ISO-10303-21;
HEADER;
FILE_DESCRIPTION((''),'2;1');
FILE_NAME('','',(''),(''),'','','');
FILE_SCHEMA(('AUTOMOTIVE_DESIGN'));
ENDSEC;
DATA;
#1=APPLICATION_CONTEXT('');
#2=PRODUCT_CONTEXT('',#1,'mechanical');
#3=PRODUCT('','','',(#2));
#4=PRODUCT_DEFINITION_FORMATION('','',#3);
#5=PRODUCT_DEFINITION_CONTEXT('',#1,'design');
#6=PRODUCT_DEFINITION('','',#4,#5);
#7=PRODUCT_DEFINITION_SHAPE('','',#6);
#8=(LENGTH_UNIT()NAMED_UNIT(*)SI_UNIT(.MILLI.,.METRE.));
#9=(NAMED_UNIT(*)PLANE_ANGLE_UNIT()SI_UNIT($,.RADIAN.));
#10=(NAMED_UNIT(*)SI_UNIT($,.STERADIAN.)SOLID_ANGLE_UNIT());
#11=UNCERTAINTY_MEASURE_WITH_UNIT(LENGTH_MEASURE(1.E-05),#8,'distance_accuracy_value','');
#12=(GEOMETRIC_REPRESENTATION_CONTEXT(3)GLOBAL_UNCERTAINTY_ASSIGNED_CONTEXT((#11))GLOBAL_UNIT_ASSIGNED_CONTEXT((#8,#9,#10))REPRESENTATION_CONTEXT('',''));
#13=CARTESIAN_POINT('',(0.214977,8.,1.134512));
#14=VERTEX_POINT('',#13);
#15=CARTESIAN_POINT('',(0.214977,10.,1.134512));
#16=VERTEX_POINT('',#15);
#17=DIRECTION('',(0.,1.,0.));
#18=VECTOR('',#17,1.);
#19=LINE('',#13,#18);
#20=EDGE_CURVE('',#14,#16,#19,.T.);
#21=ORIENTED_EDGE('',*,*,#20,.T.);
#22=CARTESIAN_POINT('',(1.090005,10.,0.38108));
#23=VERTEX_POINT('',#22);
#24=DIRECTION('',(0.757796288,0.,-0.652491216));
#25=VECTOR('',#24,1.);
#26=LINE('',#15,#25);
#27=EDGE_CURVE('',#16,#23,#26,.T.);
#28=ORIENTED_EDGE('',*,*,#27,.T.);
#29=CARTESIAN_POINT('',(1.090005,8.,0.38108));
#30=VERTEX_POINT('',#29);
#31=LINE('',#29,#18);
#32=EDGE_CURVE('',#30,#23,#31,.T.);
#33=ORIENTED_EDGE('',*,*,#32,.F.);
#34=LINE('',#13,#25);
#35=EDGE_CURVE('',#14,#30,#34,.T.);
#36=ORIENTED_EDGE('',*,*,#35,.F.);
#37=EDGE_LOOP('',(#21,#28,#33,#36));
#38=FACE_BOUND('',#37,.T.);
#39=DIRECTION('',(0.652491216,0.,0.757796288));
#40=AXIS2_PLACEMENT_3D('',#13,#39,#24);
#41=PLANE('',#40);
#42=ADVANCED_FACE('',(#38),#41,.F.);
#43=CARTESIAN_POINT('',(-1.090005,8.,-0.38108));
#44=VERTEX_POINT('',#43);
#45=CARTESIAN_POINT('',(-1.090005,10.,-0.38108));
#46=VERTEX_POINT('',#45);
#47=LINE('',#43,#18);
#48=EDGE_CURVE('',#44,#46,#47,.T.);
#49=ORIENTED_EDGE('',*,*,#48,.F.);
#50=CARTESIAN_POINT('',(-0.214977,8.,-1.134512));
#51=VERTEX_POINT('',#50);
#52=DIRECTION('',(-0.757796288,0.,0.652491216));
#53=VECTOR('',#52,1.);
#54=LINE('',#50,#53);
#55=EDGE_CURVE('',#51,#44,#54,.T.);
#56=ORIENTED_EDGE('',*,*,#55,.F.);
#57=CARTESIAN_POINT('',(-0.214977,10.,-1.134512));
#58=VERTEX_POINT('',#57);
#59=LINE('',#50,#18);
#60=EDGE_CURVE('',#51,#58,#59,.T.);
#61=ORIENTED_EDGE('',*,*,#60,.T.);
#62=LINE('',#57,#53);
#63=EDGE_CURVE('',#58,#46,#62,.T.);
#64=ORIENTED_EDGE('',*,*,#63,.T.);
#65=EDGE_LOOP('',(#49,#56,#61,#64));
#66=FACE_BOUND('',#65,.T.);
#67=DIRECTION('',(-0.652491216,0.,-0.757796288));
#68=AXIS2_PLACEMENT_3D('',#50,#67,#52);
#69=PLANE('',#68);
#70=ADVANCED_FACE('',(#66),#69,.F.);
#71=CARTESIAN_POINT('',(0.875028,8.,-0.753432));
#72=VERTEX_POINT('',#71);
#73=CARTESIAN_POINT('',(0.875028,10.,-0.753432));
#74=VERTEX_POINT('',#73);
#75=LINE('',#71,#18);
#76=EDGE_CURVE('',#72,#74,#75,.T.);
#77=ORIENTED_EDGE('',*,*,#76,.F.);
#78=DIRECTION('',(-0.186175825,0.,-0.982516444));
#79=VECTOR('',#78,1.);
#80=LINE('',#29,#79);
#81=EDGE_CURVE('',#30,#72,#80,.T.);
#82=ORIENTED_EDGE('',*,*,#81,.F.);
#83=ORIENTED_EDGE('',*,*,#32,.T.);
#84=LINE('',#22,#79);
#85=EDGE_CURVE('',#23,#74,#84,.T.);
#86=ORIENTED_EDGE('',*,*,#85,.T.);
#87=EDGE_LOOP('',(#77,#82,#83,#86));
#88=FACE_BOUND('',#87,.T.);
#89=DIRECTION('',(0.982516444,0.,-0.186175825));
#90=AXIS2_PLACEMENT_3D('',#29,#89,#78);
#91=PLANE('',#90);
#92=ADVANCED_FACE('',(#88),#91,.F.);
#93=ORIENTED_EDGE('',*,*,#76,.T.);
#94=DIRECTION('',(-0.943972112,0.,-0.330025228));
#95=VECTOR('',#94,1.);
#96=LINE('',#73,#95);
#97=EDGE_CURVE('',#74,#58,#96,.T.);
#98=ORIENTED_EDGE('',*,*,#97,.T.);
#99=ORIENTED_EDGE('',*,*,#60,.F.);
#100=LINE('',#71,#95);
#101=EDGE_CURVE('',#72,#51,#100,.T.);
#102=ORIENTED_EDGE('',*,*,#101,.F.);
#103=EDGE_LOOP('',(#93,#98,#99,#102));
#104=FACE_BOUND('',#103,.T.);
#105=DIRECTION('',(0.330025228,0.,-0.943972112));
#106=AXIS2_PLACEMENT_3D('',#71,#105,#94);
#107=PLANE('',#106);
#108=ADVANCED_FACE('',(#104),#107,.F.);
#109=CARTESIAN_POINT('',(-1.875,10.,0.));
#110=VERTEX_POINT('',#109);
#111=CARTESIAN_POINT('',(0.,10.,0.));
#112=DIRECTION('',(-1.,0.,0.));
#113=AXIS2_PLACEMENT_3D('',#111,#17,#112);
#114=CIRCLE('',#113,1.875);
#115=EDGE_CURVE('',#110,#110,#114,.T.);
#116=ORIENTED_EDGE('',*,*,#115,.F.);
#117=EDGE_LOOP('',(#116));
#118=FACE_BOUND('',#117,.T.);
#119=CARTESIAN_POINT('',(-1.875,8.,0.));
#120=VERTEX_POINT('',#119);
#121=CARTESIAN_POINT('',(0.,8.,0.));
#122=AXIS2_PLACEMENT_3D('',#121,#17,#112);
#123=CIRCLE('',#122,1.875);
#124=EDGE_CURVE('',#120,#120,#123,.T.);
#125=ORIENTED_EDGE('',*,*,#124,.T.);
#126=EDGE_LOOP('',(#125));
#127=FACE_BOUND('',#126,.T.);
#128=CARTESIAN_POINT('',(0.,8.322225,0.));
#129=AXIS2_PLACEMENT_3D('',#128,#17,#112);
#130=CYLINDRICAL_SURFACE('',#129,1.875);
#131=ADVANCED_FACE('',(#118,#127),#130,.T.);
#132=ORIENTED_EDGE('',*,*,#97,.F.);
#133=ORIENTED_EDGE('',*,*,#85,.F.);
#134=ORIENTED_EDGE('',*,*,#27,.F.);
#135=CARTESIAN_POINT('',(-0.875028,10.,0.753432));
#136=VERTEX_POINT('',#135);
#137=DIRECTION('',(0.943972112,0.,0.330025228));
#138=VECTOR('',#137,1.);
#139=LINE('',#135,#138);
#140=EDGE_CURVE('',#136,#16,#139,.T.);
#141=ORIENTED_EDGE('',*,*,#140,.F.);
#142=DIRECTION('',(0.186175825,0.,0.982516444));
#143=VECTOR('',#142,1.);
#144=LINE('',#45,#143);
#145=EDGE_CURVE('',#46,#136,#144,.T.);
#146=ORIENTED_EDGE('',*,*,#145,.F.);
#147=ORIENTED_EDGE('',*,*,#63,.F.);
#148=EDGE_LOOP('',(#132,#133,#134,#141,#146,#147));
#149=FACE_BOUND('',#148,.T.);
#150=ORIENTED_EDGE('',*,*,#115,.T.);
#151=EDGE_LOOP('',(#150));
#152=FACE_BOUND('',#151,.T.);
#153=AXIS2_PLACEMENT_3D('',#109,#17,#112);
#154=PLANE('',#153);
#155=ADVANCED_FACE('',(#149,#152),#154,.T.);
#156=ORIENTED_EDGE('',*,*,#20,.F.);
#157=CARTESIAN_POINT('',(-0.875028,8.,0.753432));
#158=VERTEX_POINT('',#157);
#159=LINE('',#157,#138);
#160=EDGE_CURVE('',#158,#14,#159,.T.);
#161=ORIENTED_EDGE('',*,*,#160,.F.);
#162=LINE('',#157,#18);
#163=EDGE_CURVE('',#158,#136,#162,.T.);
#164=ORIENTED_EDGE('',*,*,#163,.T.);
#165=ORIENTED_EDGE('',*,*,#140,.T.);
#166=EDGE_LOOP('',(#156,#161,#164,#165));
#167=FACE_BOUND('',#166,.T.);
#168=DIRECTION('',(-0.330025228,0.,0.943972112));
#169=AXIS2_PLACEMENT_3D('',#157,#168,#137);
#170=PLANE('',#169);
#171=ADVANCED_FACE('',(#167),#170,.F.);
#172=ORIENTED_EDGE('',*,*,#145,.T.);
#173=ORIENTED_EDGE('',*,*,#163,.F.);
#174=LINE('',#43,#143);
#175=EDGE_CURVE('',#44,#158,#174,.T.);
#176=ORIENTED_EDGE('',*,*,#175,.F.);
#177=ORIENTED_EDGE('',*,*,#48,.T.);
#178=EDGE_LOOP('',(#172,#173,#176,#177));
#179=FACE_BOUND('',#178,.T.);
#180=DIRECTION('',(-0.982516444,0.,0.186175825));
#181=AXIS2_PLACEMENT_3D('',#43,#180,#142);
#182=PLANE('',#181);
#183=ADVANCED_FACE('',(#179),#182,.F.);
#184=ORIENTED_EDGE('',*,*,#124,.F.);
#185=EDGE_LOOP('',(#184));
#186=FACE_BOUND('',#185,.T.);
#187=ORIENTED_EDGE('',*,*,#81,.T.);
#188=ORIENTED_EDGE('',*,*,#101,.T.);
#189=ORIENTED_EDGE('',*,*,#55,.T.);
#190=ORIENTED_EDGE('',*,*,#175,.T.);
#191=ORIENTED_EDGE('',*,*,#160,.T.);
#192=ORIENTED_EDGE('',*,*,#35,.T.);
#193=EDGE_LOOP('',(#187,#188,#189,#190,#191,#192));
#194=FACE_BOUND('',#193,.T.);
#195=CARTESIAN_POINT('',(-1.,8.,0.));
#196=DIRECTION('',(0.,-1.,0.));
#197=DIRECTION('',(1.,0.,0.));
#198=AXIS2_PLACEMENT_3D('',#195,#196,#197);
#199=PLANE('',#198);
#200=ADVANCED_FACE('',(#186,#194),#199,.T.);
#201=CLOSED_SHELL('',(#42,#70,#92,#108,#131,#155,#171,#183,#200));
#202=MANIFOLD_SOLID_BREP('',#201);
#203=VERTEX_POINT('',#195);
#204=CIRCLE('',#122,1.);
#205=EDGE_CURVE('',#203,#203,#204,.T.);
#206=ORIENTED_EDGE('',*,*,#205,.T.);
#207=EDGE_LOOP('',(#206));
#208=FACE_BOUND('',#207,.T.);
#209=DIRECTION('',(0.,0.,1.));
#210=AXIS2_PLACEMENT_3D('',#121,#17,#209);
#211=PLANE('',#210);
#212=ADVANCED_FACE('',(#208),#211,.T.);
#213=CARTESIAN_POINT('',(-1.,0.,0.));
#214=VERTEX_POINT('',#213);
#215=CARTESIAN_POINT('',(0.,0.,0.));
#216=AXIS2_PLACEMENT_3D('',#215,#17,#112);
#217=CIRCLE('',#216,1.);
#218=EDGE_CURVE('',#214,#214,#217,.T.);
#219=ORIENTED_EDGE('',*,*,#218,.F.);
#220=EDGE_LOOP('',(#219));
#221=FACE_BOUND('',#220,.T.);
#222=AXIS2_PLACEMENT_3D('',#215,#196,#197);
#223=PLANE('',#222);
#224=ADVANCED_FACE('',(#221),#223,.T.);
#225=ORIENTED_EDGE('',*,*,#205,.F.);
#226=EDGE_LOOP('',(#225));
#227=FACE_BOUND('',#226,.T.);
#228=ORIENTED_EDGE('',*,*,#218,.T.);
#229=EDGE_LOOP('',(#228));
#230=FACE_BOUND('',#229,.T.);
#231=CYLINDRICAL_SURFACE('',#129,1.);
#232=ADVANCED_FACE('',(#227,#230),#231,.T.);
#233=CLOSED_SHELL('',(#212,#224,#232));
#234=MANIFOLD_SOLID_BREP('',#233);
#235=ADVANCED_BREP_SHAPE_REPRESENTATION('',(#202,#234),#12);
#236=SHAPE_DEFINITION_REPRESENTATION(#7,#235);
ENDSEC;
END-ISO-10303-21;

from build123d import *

# Parameters (mm, degrees)
CORTAR_EXTRUIR1_DEPTH = 2


with BuildPart() as part:
    # Croquis1 → Revolución1 (revolve)
    with BuildSketch(Plane.XY):
        Polygon((0, 0), (-1, 0), (-1, 8), (-1.875, 8), (-1.875, 10), (-0.515646635, 10), (-0.515646635, 8.322225361), (0, 8.322225361), align=None)
    revolve(axis=Axis((0, 8.322225361, 0), (0, -1, 0)))

    # Croquis2 → Cortar-Extruir1 (cut)
    with BuildSketch(Plane(origin=(0, 10, 0), x_dir=(1, 0, 0), z_dir=(0, 1, 0))):
        Polygon((0.875027781, 0.753431958), (-0.214977325, 1.134512267), (-1.090005106, 0.381080309), (-0.875027781, -0.753431958), (0.214977325, -1.134512267), (1.090005106, -0.381080309), align=None)
    extrude(amount=-CORTAR_EXTRUIR1_DEPTH, mode=Mode.SUBTRACT)


with BuildPart() as cortar_extruir1_piece_1:
    # of the separate pieces the step leaves, piece 1, a body of its own (cortar_extruir1_pieces)
    add(part.part.solids().sort_by_distance((-1, 0, 0))[0])


with BuildPart() as cortar_extruir1_piece_2:
    # of the separate pieces the step leaves, piece 2, a body of its own (cortar_extruir1_pieces)
    add(part.part.solids().sort_by_distance((-1.875, 8, 0))[0])


solid = Compound([cortar_extruir1_piece_1.part, cortar_extruir1_piece_2.part])
